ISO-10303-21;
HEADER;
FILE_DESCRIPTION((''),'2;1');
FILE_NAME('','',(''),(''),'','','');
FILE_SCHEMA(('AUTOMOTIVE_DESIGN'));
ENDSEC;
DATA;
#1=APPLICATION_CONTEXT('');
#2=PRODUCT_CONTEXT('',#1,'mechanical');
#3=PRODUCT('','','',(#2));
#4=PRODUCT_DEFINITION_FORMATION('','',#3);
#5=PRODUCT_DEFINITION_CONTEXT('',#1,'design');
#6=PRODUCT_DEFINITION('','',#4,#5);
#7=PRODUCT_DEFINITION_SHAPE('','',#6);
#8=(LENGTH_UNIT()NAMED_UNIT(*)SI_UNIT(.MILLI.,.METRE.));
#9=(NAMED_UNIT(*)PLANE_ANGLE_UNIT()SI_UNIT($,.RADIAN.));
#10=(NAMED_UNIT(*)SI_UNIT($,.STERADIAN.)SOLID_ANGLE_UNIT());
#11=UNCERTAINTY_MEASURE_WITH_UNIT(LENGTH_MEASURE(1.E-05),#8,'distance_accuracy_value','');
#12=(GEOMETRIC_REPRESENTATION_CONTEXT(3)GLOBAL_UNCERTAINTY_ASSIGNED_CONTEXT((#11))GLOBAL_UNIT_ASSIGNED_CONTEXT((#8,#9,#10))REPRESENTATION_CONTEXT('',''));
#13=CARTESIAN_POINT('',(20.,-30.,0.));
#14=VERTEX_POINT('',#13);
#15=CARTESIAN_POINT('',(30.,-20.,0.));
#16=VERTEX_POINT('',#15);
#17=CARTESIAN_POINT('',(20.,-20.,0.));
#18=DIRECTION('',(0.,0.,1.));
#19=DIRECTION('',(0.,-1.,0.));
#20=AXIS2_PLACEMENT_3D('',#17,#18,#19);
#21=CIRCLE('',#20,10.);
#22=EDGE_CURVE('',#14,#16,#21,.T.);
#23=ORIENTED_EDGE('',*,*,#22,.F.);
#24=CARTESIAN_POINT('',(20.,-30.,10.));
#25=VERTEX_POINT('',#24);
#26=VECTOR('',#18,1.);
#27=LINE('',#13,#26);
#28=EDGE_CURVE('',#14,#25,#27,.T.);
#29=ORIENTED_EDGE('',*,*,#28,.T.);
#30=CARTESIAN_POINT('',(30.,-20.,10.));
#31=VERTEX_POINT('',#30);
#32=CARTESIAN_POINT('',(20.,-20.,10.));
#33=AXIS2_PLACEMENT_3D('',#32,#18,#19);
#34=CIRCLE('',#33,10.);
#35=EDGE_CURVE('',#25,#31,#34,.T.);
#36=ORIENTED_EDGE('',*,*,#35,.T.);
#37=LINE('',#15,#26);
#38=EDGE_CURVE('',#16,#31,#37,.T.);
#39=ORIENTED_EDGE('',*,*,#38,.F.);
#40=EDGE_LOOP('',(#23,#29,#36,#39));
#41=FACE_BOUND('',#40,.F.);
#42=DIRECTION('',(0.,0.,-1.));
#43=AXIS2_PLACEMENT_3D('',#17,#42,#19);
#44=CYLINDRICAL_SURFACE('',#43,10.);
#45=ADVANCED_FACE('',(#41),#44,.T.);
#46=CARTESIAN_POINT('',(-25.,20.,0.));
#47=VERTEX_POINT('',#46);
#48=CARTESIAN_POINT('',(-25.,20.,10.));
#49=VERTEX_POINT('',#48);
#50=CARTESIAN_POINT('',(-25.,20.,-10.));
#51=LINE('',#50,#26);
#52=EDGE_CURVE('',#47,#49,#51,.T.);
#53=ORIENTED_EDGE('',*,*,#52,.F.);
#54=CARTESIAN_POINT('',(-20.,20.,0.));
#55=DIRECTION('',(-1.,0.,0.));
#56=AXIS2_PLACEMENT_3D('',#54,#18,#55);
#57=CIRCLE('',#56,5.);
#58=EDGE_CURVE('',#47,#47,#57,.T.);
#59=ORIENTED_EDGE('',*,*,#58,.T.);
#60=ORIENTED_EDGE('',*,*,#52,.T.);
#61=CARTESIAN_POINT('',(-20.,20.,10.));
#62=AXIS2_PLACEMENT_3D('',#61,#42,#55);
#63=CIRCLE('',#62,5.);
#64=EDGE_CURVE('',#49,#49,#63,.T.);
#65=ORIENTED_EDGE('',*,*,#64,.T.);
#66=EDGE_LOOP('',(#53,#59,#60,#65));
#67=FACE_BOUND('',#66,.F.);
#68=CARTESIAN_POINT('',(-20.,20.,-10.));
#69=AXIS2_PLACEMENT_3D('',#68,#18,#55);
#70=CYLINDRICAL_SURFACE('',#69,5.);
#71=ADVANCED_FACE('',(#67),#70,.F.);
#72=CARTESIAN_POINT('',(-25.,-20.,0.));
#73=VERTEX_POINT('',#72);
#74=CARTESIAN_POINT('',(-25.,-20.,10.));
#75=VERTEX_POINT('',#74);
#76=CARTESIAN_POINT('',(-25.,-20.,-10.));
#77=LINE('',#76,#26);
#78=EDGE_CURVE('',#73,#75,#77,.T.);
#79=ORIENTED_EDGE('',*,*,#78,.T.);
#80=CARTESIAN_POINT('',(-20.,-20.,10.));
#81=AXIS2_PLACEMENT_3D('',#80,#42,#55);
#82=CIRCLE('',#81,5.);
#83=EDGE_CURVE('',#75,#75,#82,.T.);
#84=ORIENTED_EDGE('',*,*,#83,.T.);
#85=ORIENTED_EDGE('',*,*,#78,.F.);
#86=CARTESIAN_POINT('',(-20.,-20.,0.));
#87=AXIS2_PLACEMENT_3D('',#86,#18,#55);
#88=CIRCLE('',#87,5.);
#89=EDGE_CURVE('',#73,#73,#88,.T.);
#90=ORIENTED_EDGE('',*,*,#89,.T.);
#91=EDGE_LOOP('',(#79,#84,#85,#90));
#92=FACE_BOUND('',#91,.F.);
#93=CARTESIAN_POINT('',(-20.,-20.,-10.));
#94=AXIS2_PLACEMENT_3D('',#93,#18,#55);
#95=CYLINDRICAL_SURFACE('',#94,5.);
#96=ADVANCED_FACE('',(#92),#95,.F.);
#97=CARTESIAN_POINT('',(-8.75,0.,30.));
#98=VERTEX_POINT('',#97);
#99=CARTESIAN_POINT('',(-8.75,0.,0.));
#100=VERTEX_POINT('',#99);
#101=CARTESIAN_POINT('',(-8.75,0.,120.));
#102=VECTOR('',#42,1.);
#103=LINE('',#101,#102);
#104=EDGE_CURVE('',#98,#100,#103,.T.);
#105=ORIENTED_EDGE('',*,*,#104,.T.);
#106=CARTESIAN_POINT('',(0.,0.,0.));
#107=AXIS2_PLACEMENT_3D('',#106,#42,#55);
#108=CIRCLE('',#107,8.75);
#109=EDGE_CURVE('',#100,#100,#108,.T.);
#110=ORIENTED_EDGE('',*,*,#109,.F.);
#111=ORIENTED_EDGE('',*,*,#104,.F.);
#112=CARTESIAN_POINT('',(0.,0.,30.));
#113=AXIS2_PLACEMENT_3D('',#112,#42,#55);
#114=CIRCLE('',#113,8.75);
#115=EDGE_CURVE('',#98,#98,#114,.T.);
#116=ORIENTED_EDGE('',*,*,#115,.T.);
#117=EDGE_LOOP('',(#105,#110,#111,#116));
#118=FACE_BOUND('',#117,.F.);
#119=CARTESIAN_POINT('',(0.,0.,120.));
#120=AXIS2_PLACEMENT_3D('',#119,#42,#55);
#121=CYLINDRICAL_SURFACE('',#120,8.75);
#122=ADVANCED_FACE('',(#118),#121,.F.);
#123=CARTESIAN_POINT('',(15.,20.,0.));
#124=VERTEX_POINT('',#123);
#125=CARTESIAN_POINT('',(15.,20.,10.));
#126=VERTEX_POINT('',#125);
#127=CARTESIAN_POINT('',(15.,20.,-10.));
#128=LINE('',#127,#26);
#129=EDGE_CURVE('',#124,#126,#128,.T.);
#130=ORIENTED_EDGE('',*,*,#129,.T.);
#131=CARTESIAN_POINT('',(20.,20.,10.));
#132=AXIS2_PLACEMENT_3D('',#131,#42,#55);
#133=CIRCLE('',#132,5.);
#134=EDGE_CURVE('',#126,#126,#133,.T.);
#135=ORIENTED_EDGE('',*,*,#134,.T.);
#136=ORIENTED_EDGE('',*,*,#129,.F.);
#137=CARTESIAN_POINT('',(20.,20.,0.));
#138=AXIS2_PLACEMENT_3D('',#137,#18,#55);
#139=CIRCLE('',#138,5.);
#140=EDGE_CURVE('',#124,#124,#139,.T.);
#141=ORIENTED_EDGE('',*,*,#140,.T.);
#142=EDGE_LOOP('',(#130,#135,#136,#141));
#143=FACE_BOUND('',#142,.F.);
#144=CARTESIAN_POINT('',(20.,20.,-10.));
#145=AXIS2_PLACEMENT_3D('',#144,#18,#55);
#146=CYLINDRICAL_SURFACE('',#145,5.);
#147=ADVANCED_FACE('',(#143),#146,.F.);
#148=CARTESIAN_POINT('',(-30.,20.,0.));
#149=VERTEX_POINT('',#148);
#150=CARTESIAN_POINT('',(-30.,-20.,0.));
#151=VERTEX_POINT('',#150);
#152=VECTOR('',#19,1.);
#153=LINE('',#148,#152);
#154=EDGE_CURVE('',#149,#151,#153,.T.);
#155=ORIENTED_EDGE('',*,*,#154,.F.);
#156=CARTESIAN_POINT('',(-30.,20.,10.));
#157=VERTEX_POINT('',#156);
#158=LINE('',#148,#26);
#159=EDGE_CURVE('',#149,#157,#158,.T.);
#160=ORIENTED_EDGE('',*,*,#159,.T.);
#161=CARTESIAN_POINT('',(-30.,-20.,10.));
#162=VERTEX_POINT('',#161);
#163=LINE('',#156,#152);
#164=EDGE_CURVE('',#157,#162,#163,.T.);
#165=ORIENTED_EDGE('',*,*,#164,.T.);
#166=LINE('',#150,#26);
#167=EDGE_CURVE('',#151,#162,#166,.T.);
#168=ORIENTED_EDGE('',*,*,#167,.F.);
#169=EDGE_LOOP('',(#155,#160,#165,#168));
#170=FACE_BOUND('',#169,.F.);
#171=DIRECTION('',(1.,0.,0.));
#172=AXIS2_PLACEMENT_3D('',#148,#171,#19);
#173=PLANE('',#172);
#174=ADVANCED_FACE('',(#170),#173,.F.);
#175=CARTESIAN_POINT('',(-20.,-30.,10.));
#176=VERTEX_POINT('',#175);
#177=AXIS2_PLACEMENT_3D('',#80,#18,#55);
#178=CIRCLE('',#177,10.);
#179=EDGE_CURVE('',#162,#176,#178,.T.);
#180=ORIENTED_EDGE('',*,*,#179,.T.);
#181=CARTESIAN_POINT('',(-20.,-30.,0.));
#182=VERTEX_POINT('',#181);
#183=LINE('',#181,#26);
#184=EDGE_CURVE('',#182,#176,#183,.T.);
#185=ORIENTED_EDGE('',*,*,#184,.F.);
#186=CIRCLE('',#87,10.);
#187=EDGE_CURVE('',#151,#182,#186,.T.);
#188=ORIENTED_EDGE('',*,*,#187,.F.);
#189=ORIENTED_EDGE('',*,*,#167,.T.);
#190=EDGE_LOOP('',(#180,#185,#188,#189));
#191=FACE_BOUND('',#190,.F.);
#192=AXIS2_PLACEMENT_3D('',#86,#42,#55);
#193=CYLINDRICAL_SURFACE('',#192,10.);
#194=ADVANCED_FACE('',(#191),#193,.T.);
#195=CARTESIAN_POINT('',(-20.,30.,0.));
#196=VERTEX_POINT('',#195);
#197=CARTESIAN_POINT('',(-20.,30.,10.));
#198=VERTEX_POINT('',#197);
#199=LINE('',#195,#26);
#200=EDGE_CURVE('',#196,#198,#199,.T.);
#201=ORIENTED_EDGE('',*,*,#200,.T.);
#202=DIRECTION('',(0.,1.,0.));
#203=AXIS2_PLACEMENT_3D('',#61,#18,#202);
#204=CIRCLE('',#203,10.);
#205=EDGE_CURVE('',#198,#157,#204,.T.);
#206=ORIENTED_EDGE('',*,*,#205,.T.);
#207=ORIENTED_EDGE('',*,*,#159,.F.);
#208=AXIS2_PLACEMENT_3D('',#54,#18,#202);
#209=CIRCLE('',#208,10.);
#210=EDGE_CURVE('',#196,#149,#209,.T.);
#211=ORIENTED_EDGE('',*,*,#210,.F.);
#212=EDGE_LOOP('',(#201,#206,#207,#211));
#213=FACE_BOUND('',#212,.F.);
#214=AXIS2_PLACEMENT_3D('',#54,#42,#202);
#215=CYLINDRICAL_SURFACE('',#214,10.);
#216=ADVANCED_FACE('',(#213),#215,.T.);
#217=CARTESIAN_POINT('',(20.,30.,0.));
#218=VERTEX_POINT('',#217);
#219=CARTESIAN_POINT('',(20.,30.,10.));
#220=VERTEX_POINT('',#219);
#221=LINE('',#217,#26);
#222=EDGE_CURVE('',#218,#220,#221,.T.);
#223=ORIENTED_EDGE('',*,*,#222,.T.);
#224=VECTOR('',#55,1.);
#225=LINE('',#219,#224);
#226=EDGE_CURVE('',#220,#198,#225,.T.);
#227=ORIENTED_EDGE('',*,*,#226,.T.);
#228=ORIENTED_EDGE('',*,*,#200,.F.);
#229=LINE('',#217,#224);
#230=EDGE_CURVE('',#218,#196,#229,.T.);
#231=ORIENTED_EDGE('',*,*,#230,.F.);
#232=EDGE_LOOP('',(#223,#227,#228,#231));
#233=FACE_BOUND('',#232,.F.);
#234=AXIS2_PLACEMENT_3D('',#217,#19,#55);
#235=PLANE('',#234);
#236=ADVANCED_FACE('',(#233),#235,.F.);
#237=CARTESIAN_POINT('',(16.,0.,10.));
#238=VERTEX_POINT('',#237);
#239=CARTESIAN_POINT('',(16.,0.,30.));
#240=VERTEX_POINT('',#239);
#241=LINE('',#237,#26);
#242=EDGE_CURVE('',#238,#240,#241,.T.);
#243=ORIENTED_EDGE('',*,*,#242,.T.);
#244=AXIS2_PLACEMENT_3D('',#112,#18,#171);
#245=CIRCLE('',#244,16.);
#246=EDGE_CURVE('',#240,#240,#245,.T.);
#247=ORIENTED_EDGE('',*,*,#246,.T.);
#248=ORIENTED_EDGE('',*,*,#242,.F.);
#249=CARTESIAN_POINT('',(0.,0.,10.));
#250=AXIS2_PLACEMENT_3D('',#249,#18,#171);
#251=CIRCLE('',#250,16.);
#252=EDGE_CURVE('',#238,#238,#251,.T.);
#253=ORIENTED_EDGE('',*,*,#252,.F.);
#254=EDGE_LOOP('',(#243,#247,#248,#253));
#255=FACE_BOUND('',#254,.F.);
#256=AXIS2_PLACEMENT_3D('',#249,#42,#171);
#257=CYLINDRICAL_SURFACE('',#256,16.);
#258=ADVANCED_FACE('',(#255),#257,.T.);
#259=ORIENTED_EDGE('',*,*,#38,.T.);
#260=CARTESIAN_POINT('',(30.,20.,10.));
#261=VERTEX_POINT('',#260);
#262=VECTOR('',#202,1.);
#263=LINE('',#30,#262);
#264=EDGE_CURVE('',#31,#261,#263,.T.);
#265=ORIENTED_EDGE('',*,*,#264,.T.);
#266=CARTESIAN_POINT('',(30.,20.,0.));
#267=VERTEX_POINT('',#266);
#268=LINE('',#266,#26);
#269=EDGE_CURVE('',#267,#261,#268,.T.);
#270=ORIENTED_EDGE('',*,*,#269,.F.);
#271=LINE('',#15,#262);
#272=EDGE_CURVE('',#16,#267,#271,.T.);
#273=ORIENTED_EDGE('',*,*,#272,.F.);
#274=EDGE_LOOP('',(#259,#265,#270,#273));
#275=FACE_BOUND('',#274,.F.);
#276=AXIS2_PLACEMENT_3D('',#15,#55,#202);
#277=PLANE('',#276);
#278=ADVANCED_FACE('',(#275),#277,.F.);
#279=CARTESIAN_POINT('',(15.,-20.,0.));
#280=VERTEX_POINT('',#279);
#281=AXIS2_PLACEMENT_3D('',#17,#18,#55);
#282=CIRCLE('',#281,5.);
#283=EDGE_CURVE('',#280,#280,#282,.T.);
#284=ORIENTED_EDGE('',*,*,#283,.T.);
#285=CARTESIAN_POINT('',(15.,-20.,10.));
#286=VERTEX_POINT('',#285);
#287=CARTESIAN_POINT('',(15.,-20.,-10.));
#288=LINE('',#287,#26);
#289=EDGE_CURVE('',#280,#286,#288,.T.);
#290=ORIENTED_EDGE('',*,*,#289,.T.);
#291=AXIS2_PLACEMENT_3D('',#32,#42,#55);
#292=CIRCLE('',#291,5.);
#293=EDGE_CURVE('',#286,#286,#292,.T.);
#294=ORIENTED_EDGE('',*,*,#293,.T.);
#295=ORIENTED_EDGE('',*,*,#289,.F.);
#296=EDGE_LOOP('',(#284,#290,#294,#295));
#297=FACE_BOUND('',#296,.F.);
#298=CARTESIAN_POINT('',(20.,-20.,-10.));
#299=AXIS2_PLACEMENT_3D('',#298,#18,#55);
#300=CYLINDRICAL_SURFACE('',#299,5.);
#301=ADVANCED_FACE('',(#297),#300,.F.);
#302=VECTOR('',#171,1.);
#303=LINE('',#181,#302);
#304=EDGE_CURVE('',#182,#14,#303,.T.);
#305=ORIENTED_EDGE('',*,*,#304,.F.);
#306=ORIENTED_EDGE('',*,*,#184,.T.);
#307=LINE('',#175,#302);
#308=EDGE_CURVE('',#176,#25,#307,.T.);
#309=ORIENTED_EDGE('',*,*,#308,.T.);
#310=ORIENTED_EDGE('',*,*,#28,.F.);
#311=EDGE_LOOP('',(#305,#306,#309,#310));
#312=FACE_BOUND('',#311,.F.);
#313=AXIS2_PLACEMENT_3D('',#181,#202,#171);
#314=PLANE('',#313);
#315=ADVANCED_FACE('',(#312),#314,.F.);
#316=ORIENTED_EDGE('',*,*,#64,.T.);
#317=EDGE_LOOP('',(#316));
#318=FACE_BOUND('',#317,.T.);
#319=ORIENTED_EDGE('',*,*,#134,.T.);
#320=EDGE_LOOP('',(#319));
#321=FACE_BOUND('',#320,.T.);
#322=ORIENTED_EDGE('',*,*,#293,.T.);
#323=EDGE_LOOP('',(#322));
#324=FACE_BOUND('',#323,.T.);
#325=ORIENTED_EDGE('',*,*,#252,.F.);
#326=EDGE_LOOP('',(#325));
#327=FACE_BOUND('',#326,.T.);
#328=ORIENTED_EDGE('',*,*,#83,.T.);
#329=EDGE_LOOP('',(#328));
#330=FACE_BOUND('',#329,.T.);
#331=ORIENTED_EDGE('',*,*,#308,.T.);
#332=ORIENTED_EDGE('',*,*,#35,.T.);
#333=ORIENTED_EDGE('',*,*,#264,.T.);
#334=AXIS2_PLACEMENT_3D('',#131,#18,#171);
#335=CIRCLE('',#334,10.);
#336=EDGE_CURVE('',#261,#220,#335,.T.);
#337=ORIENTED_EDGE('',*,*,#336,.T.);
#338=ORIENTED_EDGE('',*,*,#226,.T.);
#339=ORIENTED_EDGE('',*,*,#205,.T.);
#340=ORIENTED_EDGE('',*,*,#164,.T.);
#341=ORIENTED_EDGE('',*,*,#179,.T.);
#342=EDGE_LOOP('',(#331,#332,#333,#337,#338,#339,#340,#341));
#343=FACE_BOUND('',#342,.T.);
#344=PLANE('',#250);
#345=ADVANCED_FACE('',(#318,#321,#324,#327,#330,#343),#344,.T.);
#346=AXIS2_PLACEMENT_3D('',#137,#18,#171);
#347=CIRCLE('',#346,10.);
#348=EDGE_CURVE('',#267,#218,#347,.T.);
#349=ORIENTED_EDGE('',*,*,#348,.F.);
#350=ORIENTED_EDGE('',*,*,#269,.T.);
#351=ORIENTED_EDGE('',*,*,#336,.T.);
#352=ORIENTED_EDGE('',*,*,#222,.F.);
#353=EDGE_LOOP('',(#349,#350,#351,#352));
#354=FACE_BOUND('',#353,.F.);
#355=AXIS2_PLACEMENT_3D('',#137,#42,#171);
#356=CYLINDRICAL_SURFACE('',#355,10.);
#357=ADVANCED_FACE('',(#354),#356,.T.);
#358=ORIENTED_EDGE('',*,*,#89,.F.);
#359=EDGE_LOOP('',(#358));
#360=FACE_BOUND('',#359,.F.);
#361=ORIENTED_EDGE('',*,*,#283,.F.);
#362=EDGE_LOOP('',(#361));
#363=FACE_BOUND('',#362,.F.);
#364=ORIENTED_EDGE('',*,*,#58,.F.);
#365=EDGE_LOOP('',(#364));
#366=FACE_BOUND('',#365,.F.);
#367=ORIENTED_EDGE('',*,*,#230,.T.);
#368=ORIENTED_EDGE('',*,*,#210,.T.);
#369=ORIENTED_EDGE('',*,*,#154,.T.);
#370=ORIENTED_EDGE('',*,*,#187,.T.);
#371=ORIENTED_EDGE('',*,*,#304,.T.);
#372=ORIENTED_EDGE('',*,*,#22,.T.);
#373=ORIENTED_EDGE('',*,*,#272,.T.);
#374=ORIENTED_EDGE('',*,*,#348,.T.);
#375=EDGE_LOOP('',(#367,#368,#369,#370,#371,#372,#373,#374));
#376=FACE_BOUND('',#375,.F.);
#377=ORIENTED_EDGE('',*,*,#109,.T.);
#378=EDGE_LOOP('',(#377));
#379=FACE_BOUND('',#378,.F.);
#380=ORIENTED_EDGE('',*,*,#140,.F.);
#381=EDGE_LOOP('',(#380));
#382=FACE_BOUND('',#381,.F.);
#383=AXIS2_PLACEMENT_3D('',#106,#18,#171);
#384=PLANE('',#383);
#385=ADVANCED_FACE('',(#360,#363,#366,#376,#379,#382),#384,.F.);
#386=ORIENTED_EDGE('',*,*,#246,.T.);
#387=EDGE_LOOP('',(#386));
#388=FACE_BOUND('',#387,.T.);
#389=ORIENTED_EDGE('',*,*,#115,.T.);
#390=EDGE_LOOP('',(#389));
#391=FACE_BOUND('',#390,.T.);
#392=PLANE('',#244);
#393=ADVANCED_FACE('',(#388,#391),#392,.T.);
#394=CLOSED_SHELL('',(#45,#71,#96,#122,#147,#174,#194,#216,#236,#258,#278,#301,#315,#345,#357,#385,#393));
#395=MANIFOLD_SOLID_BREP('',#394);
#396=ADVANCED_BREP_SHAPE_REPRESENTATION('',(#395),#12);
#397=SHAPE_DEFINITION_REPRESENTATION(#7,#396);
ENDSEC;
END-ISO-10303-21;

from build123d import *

# Parameters (mm, degrees)
F0_R     = 16
F1_DEPTH = 10
F2_D     = 10
F2_DEPTH = 10
F2_TIP   = 3.0043030951
F3_R     = 16
F4_DEPTH = 20
F6_D     = 17.5


with BuildPart() as f1:
    # F0 (on Top) → F1 (new body)
    with BuildSketch(Plane.XY):
        with BuildLine():
            ThreePointArc((30, 20), (27.0710678119, 27.0710678119), (20, 30))
            Line((20, 30), (-20, 30))
            ThreePointArc((-20, 30), (-27.0710678119, 27.0710678119), (-30, 20))
            Line((-30, 20), (-30, -20))
            ThreePointArc((-30, -20), (-27.0710678119, -27.0710678119), (-20, -30))
            Line((-20, -30), (20, -30))
            ThreePointArc((20, -30), (27.0710678119, -27.0710678119), (30, -20))
            Line((30, -20), (30, 20))
        make_face()
        Circle(F0_R, mode=Mode.SUBTRACT)
        Circle(F0_R)
    extrude(amount=F1_DEPTH)

    # F2
    with Locations(Plane(origin=(0, 0, 0), x_dir=(1, 0, 0), z_dir=(0, 0, -1))):
        with Locations((-20, -20), (20, -20), (20, 20), (-20, 20)):
            Hole(F2_D / 2, depth=F2_DEPTH)
            with Locations((0, 0, -(F2_DEPTH + F2_TIP / 2))):  # 118° drill point
                Cone(0, F2_D / 2, F2_TIP, mode=Mode.SUBTRACT)

    # F3 (on face) → F4 (join)
    with BuildSketch(Plane.XY.offset(10)):
        Circle(F3_R)
    extrude(amount=F4_DEPTH)

    # F6 (through all)
    with Locations(Plane.XY.offset(30)):
        with Locations((0, 0)):
            Hole(F6_D / 2)


solid = f1.part
